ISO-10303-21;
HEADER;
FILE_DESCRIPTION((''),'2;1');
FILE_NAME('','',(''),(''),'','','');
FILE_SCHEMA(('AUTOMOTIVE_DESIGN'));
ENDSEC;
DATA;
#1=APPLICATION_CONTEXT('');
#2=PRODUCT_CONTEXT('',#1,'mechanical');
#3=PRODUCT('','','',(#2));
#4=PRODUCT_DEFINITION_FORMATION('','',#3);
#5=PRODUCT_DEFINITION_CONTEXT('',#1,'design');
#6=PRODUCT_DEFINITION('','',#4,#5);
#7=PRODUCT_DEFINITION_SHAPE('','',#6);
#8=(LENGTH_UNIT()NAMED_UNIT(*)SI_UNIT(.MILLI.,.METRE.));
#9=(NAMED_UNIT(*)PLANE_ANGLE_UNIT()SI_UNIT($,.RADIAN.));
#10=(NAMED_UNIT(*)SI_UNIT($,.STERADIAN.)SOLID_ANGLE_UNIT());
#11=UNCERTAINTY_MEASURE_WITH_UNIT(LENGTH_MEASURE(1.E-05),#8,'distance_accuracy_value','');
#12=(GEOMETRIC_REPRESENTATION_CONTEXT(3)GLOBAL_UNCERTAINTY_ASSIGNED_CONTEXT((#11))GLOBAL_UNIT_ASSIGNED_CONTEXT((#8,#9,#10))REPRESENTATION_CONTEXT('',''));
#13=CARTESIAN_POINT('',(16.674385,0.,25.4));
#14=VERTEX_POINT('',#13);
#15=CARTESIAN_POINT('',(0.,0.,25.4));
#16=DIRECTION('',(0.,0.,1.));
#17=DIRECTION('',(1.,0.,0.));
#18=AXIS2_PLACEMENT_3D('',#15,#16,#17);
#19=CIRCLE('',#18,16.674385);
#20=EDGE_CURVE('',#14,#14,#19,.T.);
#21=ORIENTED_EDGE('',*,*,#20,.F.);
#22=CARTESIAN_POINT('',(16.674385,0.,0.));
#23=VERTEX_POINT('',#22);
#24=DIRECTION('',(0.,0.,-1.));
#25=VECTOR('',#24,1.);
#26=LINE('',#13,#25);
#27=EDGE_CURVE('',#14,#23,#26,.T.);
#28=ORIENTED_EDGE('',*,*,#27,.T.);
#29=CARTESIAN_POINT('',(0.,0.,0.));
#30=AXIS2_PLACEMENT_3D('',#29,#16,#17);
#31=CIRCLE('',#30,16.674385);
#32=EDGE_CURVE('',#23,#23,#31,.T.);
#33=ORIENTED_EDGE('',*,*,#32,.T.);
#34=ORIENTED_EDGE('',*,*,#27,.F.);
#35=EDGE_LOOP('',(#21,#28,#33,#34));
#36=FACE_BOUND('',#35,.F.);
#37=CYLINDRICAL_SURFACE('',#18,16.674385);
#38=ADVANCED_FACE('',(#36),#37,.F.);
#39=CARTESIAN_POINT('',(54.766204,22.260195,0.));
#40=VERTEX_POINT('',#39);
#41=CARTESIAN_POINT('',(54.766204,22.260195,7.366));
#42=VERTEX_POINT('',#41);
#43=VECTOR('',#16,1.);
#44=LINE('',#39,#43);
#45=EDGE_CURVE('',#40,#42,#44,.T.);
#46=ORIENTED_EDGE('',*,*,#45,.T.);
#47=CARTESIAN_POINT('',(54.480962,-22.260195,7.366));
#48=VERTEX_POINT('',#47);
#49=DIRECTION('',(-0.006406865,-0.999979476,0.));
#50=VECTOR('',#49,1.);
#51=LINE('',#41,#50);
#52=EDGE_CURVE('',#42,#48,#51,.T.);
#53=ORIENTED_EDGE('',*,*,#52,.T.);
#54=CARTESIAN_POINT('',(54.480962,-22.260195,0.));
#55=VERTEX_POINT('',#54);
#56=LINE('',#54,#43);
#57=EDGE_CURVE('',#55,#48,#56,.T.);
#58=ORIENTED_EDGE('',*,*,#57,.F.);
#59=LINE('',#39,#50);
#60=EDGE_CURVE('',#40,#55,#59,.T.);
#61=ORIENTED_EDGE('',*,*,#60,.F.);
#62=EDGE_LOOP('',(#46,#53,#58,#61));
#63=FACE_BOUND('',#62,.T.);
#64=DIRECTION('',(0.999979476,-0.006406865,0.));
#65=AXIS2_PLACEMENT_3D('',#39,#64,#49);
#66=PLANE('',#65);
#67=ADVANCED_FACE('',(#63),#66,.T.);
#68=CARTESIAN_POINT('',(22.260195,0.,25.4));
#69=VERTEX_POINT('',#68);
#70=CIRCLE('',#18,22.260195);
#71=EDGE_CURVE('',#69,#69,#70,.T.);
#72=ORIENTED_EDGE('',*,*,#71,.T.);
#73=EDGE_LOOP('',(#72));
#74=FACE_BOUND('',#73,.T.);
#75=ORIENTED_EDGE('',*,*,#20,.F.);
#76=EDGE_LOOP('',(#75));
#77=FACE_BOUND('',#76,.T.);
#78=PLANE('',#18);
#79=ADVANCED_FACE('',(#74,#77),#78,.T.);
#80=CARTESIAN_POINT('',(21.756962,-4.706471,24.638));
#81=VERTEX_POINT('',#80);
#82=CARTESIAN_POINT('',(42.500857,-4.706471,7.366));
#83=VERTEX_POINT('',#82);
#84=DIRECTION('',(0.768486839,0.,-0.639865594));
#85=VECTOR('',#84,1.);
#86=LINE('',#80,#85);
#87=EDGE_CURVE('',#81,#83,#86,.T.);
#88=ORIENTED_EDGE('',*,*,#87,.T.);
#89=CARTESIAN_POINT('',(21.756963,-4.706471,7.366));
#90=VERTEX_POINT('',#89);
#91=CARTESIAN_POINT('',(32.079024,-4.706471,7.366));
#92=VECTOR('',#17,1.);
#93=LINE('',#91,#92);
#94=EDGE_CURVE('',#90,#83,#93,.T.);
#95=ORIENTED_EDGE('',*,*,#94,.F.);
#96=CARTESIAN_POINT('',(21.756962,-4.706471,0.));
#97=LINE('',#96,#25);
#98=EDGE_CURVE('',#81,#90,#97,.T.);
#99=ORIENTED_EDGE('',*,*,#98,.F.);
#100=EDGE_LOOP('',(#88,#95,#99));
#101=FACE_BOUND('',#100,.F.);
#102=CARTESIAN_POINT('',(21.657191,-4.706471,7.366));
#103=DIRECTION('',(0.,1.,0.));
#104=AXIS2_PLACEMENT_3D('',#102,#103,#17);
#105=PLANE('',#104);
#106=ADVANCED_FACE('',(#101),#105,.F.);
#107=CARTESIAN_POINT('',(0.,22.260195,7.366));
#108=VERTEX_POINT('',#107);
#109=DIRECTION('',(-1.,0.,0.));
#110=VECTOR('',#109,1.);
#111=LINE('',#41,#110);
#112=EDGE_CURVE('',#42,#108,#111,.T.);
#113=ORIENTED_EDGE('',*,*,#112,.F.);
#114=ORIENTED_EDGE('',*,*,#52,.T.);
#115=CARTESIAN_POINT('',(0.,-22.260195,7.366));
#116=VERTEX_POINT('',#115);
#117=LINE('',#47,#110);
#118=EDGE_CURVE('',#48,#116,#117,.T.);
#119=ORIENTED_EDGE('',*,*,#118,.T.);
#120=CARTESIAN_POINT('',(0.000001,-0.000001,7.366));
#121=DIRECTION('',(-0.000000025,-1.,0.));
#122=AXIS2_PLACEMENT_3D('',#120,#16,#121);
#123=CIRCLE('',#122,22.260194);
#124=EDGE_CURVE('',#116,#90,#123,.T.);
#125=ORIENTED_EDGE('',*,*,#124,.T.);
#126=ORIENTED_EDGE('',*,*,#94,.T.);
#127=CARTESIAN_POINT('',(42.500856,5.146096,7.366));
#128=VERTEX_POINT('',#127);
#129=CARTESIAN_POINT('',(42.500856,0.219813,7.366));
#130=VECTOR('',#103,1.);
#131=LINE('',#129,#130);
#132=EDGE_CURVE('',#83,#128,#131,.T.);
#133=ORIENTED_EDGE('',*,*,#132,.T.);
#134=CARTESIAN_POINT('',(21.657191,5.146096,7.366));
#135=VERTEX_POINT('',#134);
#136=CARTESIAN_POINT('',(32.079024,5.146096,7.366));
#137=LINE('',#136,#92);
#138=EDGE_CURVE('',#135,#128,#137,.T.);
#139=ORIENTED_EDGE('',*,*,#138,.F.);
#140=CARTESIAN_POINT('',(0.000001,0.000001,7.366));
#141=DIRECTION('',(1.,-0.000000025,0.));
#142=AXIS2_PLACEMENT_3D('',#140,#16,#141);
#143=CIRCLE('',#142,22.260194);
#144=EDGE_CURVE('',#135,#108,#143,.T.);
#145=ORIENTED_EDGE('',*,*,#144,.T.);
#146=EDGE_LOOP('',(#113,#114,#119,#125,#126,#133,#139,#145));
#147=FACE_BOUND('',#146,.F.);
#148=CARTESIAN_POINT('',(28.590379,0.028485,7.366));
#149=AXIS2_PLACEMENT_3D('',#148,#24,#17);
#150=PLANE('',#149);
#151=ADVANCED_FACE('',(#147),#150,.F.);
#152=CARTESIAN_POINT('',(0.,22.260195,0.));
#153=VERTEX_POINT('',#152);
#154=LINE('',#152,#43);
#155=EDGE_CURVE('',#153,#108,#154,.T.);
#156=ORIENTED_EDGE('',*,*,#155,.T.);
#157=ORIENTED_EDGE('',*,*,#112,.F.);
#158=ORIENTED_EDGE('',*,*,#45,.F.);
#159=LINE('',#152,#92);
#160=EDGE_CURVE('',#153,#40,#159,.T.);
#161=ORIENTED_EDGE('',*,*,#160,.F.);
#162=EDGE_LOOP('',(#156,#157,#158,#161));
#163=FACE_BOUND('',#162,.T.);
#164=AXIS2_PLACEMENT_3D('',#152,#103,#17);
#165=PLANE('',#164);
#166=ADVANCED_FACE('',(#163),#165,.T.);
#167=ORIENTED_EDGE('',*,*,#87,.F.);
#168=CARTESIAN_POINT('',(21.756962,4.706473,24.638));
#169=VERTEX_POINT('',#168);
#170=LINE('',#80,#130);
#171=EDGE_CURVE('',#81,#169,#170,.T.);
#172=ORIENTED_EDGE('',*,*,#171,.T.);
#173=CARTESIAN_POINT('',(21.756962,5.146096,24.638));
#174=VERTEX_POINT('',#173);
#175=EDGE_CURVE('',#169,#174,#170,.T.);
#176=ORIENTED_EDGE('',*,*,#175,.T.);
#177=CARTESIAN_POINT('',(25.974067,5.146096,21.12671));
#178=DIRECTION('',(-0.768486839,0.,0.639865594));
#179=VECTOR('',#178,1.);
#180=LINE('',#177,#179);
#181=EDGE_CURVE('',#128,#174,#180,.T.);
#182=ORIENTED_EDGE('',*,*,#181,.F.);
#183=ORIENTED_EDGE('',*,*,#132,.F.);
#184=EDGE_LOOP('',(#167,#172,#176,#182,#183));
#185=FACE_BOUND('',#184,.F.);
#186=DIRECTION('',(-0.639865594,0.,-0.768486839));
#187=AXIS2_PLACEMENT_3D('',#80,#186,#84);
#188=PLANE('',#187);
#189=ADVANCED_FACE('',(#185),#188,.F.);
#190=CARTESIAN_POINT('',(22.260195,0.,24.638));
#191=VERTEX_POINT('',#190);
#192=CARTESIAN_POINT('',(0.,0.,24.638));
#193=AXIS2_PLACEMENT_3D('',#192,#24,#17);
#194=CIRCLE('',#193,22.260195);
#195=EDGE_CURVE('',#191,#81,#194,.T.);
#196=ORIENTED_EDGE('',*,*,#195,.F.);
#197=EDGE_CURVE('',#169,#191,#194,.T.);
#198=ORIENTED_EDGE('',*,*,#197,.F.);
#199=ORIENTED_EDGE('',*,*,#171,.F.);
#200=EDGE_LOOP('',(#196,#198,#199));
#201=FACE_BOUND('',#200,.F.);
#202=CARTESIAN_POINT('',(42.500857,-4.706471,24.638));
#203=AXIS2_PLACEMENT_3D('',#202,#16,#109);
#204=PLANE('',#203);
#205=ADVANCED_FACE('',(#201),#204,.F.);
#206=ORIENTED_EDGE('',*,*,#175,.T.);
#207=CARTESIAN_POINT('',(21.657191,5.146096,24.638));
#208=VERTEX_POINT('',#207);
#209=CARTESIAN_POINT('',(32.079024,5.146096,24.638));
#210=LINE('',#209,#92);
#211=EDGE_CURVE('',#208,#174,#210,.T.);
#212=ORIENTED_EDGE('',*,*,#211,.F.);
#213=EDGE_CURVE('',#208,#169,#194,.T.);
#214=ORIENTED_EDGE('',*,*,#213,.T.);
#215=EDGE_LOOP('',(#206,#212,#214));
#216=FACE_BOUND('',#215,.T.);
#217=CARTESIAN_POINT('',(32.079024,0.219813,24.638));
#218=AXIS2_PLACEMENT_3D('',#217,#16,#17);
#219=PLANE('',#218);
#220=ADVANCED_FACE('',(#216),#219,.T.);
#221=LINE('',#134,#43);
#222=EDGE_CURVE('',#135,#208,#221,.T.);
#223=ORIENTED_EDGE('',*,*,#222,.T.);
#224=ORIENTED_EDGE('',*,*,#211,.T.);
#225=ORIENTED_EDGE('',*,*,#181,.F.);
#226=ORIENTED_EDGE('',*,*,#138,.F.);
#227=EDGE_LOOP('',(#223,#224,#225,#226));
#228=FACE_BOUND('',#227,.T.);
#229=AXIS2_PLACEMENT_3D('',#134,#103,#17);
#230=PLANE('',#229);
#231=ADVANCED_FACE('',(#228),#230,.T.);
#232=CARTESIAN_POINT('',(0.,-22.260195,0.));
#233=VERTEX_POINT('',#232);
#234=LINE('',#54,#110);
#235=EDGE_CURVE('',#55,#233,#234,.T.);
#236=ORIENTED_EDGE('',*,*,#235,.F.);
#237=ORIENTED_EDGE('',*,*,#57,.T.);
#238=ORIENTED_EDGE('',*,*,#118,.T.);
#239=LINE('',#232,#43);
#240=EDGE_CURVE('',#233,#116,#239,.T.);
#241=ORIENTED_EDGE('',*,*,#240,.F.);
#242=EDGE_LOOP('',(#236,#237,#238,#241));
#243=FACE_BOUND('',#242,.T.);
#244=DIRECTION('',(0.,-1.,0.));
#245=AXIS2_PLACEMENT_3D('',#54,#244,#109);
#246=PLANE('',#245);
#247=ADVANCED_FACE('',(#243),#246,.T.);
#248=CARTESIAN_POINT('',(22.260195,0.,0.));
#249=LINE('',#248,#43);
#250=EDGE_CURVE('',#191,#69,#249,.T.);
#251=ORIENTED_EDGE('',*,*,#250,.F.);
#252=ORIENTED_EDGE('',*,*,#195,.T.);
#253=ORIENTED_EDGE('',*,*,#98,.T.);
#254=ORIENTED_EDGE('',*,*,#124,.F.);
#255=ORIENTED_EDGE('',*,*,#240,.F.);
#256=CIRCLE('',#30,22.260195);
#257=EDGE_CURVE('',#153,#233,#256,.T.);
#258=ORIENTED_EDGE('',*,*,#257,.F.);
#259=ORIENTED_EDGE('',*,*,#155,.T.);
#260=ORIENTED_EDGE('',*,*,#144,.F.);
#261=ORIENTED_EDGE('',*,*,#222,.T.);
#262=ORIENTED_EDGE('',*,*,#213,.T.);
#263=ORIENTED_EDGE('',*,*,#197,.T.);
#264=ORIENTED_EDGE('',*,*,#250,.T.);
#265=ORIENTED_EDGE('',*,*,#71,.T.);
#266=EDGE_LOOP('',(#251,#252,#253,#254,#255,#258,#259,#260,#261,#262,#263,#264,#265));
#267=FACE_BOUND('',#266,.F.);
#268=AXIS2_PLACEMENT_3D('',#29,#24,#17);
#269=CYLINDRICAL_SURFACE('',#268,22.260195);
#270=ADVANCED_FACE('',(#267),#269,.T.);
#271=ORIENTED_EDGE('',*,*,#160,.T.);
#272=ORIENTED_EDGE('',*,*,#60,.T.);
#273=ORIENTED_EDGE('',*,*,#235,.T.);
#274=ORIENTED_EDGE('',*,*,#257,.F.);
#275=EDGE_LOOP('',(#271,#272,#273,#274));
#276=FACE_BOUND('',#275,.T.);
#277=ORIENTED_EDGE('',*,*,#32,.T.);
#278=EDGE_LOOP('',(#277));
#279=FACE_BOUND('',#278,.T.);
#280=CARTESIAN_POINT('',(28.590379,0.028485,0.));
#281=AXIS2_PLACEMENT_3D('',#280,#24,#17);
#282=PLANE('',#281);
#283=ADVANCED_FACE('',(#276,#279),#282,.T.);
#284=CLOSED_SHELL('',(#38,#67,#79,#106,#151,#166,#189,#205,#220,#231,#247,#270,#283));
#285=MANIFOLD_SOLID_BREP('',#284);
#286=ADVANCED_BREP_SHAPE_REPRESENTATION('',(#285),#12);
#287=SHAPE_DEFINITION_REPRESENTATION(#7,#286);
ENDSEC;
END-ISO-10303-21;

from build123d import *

# Parameters (mm, degrees)
F0_R     = 22.260195
F1_DEPTH = 25.4
F3_DEPTH = 7.366
F4_R     = 16.674385
F5_DEPTH = 25.401
F6_W     = 20.843665
F6_H     = 9.852567
F7_DEPTH = 17.272
F9_DEPTH = 26.967665


with BuildPart() as f1:
    # F0 (on Top) → F1 (new body)
    with BuildSketch(Plane.XY):
        Circle(F0_R)
    extrude(amount=F1_DEPTH)

    # F2 (on face) → F3 (join)
    with BuildSketch(Plane(origin=(0, 0, 0), x_dir=(1, 0, 0), z_dir=(0, 0, -1))):
        with BuildLine():
            ThreePointArc((22.260195, 0), (15.740335, -15.740335), (0, -22.260195))
            Line((0, -22.260195), (54.766204, -22.260195))
            Line((54.766204, -22.260195), (54.480962, 22.260195))
            Line((54.480962, 22.260195), (0, 22.260195))
            ThreePointArc((0, 22.260195), (15.740335, 15.740335), (22.260195, 0))
        make_face()
    extrude(amount=-F3_DEPTH)

    # F4 (on face) → F5 (cut, through all)
    with BuildSketch(Plane.XY.offset(25.4)):
        Circle(F4_R)
    extrude(amount=-F5_DEPTH, mode=Mode.SUBTRACT)

    # F6 (on face) → F7 (join)
    with BuildSketch(Plane.XY.offset(7.366)):
        with Locations((32.079024, 0.219813)):
            Rectangle(F6_W, F6_H)
    extrude(amount=F7_DEPTH)

    # F8 (on face) → F9 (cut, through all)
    with BuildSketch(Plane.XZ.offset(4.706471)):
        Polygon((42.500857, 24.638), (21.756962, 24.638), (42.500857, 7.366), align=None)
    extrude(amount=-F9_DEPTH, mode=Mode.SUBTRACT)


solid = f1.part
